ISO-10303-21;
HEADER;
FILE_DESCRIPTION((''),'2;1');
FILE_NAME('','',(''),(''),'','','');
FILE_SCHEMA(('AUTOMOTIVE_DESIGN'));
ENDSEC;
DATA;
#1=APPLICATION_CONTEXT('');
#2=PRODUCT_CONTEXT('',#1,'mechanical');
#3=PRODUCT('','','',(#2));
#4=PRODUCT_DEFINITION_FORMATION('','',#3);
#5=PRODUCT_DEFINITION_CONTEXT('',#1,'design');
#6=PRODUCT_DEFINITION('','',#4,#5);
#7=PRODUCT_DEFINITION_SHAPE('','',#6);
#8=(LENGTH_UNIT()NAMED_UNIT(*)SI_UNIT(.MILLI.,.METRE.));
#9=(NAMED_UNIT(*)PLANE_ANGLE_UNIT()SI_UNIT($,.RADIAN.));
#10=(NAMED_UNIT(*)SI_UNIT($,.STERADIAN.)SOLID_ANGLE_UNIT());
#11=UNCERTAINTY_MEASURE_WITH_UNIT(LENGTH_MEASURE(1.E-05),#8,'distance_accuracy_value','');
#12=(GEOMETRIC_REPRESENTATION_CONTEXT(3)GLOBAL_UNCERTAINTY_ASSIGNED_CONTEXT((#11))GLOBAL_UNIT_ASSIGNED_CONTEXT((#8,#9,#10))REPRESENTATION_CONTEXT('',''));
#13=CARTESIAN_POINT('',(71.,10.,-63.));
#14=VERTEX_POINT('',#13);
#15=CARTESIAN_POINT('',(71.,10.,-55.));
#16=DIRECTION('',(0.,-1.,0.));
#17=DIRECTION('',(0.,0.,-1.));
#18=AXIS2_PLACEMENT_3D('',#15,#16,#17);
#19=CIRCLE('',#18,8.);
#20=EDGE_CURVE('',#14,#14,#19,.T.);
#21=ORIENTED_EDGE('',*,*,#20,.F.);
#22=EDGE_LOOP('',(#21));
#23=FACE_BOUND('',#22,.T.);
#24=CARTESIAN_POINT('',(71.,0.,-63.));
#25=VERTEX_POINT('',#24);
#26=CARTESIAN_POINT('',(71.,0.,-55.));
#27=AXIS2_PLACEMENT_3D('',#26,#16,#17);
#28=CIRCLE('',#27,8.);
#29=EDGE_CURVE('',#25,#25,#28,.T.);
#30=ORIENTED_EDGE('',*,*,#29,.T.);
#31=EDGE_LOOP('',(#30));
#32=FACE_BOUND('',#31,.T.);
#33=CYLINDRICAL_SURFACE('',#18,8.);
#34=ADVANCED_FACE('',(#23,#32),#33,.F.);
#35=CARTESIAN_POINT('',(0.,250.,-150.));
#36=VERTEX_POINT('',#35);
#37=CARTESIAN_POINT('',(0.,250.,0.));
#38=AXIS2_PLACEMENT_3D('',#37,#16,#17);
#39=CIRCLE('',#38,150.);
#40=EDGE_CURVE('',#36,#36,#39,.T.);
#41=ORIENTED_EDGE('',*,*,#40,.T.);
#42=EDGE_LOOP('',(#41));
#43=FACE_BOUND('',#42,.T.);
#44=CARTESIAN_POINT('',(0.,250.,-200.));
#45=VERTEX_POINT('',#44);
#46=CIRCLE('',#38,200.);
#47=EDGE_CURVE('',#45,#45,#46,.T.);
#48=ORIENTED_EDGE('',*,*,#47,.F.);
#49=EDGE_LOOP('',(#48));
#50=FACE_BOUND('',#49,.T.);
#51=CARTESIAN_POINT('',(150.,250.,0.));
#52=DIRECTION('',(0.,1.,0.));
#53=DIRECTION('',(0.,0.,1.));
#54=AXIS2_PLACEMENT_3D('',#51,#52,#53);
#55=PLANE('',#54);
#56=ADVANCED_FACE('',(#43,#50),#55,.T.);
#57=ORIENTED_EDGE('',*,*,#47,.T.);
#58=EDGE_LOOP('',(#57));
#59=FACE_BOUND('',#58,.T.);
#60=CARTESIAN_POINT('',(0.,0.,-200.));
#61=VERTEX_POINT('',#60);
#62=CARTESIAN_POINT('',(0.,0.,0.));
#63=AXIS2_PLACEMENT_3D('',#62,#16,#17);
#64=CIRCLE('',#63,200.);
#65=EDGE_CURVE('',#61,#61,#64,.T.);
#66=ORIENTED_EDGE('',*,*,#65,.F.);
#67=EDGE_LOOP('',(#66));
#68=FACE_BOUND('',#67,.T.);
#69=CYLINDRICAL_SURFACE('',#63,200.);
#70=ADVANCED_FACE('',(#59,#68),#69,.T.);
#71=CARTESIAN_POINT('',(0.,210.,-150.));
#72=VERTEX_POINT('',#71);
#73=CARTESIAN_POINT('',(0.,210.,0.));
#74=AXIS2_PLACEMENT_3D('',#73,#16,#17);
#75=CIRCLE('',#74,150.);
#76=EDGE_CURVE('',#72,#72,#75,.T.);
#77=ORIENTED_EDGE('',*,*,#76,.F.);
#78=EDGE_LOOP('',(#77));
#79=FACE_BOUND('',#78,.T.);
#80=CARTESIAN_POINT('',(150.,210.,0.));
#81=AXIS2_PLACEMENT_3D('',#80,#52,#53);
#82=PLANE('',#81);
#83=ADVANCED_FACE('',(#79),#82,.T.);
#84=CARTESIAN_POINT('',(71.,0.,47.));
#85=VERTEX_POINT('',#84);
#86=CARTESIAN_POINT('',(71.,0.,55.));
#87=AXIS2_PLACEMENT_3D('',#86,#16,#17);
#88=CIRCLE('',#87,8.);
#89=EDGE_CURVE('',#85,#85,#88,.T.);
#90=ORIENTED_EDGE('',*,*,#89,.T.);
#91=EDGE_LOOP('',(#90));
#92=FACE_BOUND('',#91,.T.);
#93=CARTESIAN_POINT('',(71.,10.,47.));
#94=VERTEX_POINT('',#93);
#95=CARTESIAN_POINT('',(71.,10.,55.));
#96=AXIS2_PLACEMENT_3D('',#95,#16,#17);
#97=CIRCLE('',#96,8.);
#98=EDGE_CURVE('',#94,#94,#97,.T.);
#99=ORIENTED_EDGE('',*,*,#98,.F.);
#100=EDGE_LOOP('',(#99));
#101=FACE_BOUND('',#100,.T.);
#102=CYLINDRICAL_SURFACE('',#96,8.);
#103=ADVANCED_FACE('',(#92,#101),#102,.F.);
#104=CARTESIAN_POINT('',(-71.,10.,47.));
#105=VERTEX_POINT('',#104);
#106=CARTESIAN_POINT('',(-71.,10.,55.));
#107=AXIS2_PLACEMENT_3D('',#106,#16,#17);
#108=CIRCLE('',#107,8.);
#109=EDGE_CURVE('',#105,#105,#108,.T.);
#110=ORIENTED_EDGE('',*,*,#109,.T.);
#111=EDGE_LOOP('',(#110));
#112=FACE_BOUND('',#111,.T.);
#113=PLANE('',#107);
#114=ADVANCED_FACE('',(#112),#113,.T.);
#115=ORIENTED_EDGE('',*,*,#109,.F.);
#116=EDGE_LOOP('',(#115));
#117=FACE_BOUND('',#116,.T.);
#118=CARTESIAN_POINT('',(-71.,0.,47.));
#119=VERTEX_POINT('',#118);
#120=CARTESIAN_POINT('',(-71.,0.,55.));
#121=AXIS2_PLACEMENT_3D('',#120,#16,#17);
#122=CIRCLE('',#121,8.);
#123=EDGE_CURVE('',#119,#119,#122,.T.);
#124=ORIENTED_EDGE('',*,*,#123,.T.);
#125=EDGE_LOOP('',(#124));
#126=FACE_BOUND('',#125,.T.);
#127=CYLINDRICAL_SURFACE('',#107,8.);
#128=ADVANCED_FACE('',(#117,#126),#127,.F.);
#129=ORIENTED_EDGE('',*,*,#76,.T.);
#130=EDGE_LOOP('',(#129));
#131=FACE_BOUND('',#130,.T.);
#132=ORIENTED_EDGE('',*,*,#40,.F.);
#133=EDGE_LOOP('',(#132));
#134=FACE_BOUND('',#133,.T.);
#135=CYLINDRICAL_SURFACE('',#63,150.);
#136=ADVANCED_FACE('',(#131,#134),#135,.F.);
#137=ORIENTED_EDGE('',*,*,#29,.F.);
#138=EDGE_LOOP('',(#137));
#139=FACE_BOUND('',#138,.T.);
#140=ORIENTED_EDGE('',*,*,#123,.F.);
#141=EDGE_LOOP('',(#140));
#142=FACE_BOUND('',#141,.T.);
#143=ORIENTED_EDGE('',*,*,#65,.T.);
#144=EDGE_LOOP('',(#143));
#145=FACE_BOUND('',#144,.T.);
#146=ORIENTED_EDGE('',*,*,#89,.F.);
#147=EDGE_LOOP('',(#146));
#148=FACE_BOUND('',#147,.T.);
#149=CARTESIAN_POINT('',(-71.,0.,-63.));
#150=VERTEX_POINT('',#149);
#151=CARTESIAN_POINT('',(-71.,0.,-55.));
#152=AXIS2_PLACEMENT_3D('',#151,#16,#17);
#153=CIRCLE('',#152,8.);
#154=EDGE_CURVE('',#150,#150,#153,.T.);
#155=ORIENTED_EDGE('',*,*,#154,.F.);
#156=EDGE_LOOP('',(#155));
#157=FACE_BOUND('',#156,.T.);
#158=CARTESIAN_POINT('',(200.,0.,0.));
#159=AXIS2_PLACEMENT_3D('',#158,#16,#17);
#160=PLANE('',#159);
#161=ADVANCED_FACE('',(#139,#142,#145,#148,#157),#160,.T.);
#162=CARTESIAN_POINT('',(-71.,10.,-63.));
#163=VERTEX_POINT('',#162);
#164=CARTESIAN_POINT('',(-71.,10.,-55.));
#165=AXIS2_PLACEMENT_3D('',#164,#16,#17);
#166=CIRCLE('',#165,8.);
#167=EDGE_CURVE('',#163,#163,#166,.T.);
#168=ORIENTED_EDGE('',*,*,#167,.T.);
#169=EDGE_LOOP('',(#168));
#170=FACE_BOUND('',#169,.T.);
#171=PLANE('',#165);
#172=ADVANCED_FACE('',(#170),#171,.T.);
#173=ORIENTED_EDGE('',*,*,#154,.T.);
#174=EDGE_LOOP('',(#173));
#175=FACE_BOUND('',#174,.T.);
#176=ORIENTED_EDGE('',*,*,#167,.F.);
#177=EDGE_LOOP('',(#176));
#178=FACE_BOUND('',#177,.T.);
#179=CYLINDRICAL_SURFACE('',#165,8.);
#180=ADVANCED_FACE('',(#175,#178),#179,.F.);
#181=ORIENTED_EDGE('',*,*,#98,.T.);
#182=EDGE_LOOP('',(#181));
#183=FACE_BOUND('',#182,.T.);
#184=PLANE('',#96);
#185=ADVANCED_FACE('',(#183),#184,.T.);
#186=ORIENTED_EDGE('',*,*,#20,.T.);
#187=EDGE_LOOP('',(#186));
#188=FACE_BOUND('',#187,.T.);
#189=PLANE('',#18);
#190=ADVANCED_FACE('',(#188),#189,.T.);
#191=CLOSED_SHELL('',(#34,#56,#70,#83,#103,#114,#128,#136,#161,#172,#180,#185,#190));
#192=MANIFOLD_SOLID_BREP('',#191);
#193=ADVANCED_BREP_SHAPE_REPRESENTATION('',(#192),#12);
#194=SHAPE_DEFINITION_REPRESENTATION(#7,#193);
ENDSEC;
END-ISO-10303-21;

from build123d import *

# Parameters (mm, degrees)
ESBO_O3_R             = 8
CORTE_EXTRUS_O2_DEPTH = 10


with BuildPart() as part:
    # Esboço1 → Revolução1 (revolve)
    with BuildSketch(Plane.XY):
        Polygon((150, 250), (200, 250), (200, 0), (0, 0), (0, 210), (150, 210), align=None)
    revolve(axis=Axis((0, 0, 0), (0, 1, 0)))

    # Esboço3 → Corte-extrusão2 (cut)
    with BuildSketch(Plane.XZ):
        with Locations((-71, 55)):
            Circle(ESBO_O3_R)
        with Locations((71, 55)):
            Circle(ESBO_O3_R)
        with Locations((71, -55)):
            Circle(ESBO_O3_R)
        with Locations((-71, -55)):
            Circle(ESBO_O3_R)
    extrude(amount=-CORTE_EXTRUS_O2_DEPTH, mode=Mode.SUBTRACT)


solid = part.part
